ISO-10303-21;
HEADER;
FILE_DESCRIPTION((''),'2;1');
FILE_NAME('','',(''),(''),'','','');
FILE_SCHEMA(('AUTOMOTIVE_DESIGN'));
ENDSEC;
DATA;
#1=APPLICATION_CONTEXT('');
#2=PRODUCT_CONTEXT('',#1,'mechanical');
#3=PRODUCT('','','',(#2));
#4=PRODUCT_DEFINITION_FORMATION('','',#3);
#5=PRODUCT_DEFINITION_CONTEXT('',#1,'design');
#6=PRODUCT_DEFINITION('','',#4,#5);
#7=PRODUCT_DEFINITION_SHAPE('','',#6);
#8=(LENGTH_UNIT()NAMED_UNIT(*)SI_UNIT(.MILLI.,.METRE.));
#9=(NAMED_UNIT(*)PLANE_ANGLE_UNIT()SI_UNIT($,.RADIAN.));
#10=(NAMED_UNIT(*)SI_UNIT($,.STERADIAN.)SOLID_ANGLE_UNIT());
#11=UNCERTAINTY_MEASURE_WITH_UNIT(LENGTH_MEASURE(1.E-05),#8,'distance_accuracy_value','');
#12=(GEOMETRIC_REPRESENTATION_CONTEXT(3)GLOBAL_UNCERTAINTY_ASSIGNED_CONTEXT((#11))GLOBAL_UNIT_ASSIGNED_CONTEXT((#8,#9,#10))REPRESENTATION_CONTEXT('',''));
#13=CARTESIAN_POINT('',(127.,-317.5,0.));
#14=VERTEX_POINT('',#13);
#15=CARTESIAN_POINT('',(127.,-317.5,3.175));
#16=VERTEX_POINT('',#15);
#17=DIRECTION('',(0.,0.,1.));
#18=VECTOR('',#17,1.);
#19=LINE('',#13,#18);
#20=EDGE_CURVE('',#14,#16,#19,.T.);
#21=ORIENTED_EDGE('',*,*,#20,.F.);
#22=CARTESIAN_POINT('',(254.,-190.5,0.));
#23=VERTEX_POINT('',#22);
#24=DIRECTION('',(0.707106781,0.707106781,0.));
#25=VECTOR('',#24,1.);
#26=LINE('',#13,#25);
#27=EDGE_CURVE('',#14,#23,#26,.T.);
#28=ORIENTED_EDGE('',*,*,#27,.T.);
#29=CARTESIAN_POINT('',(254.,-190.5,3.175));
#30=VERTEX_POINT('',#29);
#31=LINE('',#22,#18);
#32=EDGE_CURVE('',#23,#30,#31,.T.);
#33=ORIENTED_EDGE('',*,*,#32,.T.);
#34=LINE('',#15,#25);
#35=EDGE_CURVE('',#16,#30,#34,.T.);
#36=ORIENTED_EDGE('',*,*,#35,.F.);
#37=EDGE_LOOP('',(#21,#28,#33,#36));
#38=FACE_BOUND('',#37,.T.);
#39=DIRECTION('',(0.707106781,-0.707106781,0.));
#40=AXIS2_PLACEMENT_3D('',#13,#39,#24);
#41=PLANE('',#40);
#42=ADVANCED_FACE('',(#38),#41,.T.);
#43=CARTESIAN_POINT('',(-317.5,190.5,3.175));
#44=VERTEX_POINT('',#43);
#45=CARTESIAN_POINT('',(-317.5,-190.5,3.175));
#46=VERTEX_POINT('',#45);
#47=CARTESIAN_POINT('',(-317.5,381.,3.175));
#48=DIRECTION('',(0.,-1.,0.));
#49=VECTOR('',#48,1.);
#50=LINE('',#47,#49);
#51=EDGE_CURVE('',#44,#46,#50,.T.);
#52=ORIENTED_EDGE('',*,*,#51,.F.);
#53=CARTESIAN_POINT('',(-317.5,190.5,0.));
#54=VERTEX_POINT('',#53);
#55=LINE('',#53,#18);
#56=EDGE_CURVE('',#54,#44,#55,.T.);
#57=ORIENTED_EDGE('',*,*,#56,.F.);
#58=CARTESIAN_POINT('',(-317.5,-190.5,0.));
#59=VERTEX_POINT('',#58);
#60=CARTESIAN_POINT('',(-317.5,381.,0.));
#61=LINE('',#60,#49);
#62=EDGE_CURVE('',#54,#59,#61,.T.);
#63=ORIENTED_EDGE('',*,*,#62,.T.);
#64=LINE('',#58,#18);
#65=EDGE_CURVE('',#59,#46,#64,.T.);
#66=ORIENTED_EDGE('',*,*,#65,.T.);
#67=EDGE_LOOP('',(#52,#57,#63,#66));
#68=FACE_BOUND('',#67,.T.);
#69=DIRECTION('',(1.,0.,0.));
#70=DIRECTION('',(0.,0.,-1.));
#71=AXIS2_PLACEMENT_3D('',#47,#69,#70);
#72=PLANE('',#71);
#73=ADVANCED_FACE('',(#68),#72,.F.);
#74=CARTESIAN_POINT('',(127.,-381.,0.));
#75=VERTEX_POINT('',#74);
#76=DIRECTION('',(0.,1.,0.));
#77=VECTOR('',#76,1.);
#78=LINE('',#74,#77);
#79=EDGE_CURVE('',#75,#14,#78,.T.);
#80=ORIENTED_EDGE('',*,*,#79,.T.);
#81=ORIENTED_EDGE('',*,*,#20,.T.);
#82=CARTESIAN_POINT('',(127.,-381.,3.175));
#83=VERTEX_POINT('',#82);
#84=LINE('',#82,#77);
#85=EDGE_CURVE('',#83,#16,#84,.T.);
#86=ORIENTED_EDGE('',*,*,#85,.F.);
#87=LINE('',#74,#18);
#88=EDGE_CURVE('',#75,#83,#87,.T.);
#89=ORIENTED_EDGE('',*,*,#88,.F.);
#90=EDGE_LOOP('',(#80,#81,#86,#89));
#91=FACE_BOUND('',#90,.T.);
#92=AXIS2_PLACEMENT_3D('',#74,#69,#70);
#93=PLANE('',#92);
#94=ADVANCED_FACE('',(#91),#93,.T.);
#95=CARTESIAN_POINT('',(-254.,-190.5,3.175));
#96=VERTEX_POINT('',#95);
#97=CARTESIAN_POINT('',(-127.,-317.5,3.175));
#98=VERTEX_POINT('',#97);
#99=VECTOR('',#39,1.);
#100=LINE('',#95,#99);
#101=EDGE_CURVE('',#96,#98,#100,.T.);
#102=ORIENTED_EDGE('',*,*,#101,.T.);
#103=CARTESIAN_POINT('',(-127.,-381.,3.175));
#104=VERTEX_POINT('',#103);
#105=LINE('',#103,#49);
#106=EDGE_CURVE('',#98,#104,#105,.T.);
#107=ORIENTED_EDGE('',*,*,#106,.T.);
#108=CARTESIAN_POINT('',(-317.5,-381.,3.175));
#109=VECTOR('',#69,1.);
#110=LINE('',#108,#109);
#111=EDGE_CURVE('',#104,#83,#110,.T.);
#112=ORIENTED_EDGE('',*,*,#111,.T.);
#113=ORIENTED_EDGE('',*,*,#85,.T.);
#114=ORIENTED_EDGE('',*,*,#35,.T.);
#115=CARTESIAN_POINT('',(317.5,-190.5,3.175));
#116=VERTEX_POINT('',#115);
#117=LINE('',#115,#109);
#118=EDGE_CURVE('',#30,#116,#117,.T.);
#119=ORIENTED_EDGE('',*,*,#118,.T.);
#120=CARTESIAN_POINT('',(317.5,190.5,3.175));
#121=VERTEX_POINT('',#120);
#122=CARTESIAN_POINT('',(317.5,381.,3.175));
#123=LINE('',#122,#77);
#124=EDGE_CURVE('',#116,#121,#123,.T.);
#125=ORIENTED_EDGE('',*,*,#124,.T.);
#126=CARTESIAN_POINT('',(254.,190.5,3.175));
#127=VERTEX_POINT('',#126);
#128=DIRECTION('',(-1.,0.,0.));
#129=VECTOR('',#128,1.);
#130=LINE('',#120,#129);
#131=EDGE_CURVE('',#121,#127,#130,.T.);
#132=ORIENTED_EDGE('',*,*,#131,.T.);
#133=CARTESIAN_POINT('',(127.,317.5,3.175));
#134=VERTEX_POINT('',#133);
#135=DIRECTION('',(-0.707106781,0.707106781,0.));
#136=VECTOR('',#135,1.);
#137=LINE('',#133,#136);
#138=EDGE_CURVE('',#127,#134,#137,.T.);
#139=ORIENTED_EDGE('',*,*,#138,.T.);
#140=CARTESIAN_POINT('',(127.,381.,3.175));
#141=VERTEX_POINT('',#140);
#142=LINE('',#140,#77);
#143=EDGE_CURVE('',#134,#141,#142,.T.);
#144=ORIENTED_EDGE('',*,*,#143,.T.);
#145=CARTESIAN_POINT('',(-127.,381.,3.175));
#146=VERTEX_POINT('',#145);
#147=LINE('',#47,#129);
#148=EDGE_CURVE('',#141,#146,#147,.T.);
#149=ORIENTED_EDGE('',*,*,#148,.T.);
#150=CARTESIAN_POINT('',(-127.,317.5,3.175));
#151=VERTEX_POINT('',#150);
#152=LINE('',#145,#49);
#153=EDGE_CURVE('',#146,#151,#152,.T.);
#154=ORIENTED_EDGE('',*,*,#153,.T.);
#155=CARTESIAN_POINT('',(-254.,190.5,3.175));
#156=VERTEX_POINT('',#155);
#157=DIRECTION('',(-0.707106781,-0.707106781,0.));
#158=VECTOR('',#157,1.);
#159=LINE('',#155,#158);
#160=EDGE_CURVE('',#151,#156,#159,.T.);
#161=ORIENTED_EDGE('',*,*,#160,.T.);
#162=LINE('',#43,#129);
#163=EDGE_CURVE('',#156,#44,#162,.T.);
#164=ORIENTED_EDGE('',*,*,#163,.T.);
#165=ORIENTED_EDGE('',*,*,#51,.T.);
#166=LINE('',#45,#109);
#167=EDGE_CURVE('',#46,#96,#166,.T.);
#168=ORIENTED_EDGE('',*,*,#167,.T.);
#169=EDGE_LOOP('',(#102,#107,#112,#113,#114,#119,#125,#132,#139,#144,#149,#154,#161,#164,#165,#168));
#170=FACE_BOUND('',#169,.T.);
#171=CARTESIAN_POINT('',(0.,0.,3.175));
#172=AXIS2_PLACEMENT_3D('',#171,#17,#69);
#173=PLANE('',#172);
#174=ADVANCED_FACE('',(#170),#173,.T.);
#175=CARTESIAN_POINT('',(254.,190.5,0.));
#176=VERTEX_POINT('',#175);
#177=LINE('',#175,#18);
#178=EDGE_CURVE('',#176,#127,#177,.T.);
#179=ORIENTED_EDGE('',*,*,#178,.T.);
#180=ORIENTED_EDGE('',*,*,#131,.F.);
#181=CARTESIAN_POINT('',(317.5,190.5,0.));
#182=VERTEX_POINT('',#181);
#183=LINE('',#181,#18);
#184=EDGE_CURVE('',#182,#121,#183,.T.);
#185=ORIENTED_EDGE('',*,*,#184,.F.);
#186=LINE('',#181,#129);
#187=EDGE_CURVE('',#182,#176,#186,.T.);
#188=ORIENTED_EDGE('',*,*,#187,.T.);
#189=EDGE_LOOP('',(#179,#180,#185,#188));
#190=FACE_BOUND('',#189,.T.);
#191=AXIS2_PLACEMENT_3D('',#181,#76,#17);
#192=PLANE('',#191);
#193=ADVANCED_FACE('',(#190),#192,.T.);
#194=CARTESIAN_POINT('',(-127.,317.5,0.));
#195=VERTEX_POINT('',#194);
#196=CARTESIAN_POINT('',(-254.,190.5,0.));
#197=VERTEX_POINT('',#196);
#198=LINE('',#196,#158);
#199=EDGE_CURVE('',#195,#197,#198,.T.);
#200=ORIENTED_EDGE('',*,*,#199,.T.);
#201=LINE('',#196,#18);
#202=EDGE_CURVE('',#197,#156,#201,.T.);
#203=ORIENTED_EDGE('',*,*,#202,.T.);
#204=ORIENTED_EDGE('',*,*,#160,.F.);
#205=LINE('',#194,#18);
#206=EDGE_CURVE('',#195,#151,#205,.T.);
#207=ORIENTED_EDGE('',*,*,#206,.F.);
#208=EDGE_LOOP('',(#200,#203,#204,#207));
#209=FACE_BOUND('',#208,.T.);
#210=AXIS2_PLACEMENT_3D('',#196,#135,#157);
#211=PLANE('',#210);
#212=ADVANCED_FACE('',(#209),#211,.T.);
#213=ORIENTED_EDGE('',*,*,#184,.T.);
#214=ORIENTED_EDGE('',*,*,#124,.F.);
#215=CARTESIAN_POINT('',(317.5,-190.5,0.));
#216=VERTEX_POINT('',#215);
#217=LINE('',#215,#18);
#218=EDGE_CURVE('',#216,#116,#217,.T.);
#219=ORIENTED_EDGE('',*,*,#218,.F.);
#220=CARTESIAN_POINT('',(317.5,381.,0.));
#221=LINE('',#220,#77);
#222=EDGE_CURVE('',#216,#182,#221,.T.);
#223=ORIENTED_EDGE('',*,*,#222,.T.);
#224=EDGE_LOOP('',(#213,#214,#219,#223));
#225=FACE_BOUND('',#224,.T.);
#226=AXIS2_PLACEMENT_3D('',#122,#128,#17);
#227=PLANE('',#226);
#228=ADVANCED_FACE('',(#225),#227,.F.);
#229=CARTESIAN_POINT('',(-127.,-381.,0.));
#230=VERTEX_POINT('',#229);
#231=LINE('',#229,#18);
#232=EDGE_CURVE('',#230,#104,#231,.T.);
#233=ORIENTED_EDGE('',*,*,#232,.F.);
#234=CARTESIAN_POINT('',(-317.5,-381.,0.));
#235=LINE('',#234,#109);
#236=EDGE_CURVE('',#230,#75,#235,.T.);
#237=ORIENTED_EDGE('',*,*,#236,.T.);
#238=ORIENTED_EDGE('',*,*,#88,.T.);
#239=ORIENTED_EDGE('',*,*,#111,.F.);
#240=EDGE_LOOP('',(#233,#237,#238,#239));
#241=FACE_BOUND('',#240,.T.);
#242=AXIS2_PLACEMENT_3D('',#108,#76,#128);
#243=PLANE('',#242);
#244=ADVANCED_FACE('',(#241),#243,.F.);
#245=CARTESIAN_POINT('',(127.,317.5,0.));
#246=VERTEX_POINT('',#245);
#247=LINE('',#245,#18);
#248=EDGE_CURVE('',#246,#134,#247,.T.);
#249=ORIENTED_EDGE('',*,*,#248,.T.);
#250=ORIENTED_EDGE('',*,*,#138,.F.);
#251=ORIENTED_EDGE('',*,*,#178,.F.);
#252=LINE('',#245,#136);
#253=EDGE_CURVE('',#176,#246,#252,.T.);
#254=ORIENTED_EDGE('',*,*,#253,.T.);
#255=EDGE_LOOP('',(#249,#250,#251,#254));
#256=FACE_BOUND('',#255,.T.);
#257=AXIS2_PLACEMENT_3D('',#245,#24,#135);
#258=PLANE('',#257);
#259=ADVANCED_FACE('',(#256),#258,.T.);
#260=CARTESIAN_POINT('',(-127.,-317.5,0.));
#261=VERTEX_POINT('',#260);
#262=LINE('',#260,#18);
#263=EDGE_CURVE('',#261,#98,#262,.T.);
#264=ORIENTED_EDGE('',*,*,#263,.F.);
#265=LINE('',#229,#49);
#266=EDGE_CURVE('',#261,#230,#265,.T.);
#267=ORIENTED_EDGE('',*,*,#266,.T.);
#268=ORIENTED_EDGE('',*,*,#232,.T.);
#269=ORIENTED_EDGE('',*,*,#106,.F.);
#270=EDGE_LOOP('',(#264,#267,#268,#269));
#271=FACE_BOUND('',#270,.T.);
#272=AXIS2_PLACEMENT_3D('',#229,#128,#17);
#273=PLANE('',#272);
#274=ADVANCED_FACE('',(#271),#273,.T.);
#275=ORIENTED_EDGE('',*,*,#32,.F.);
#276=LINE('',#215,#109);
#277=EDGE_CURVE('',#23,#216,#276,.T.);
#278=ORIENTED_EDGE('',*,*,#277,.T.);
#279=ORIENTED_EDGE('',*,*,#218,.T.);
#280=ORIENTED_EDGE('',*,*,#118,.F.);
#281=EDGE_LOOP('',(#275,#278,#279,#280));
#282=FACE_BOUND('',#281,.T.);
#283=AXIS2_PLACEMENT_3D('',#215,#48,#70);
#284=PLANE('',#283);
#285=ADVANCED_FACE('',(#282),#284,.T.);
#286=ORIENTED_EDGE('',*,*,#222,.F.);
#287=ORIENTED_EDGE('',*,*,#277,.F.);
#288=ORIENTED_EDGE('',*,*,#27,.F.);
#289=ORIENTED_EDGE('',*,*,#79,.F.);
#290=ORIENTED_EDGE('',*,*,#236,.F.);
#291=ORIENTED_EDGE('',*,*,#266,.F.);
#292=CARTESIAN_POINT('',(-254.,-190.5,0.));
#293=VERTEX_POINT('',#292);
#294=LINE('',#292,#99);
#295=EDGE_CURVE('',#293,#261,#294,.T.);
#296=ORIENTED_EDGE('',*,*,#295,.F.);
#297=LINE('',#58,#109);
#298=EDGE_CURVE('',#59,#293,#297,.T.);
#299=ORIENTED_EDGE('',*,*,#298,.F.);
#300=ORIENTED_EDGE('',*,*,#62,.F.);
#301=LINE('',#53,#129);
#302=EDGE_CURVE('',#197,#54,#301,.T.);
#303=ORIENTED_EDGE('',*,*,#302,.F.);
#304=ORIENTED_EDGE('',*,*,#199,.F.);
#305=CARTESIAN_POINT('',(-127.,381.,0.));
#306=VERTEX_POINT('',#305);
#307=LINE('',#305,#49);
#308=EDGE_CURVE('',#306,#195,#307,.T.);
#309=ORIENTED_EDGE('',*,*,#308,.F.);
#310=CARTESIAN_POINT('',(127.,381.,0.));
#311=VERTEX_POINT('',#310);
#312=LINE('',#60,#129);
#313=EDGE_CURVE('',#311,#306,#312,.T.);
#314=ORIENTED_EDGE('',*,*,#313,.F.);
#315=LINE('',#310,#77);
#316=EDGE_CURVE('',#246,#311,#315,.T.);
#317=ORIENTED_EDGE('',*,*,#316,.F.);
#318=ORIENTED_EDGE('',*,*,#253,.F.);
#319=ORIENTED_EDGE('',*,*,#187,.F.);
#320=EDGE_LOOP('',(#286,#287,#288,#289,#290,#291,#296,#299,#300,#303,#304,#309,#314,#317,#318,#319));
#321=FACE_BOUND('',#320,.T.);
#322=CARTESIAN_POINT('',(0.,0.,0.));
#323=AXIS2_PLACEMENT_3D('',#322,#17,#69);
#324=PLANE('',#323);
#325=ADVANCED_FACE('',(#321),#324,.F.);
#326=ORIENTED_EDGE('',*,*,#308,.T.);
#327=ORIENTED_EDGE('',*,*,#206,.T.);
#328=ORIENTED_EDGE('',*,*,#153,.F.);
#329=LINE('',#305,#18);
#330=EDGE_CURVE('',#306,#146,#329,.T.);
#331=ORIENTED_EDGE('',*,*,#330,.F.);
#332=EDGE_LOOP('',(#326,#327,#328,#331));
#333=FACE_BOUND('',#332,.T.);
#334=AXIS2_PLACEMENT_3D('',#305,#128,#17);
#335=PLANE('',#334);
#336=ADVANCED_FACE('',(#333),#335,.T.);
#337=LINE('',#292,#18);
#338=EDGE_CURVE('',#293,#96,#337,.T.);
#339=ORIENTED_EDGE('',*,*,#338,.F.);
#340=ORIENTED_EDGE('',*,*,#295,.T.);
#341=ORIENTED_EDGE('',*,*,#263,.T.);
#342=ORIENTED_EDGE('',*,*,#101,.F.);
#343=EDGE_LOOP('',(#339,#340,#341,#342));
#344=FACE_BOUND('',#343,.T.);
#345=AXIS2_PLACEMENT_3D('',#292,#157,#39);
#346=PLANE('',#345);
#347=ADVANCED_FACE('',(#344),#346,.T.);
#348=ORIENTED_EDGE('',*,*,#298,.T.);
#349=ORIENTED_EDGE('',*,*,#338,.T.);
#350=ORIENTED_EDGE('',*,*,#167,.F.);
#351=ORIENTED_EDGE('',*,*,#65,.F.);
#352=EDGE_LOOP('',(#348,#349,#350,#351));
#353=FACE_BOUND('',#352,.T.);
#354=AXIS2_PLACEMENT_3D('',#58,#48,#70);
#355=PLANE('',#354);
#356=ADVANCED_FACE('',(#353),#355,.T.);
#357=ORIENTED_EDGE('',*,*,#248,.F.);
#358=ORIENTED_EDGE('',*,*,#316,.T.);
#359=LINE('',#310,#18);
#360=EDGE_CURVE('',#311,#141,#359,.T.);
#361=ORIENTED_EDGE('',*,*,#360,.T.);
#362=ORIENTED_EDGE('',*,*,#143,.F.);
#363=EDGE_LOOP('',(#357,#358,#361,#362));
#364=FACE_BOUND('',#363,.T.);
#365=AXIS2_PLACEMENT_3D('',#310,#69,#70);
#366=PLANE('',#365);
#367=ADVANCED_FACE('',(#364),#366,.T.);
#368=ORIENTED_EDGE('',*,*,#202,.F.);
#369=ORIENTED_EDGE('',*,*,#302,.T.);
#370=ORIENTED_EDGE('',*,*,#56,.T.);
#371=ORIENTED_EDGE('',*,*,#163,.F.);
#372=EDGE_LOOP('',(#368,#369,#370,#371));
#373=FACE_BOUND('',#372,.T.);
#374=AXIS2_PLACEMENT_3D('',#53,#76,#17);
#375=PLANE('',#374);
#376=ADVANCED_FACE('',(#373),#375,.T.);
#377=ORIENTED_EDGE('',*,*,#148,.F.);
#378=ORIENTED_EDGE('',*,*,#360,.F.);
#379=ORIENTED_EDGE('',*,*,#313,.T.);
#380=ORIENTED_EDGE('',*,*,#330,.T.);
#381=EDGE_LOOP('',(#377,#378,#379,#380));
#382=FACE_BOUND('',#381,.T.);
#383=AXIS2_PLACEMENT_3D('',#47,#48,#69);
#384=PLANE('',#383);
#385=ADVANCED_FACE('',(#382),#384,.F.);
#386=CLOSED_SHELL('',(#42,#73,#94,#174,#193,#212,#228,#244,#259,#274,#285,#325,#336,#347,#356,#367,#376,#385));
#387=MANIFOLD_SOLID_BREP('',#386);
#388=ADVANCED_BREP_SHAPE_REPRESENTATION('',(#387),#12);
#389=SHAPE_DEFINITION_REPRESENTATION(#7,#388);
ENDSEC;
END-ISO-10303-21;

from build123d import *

# Parameters (mm, degrees)
SKETCH1_W           = 635
SKETCH1_H           = 762
BOSS_EXTRUDE1_DEPTH = 3.175
SKETCH3_W           = 901.746898996
SKETCH3_H           = 1073.20581641
CUT_EXTRUDE1_DEPTH  = 496.961017243


with BuildPart() as part:
    # Sketch1 → Boss-Extrude1 (new body)
    with BuildSketch(Plane.XY):
        Rectangle(SKETCH1_W, SKETCH1_H)
    extrude(amount=BOSS_EXTRUDE1_DEPTH)

    # Sketch3 → Cut-Extrude1 (cut, through all)
    with BuildSketch(Plane.XY.offset(3.175)):
        with Locations((-17.044225779, -39.145238765)):
            Rectangle(SKETCH3_W, SKETCH3_H)
        Polygon((-127, 381), (127, 381), (127, 317.5), (254, 190.5), (317.5, 190.5), (317.5, -190.5), (254, -190.5), (127, -317.5), (127, -381), (-127, -381), (-127, -317.5), (-254, -190.5), (-317.5, -190.5), (-317.5, 190.5), (-254, 190.5), (-127, 317.5), align=None, mode=Mode.SUBTRACT)
    extrude(amount=-CUT_EXTRUDE1_DEPTH, mode=Mode.SUBTRACT)


solid = part.part
